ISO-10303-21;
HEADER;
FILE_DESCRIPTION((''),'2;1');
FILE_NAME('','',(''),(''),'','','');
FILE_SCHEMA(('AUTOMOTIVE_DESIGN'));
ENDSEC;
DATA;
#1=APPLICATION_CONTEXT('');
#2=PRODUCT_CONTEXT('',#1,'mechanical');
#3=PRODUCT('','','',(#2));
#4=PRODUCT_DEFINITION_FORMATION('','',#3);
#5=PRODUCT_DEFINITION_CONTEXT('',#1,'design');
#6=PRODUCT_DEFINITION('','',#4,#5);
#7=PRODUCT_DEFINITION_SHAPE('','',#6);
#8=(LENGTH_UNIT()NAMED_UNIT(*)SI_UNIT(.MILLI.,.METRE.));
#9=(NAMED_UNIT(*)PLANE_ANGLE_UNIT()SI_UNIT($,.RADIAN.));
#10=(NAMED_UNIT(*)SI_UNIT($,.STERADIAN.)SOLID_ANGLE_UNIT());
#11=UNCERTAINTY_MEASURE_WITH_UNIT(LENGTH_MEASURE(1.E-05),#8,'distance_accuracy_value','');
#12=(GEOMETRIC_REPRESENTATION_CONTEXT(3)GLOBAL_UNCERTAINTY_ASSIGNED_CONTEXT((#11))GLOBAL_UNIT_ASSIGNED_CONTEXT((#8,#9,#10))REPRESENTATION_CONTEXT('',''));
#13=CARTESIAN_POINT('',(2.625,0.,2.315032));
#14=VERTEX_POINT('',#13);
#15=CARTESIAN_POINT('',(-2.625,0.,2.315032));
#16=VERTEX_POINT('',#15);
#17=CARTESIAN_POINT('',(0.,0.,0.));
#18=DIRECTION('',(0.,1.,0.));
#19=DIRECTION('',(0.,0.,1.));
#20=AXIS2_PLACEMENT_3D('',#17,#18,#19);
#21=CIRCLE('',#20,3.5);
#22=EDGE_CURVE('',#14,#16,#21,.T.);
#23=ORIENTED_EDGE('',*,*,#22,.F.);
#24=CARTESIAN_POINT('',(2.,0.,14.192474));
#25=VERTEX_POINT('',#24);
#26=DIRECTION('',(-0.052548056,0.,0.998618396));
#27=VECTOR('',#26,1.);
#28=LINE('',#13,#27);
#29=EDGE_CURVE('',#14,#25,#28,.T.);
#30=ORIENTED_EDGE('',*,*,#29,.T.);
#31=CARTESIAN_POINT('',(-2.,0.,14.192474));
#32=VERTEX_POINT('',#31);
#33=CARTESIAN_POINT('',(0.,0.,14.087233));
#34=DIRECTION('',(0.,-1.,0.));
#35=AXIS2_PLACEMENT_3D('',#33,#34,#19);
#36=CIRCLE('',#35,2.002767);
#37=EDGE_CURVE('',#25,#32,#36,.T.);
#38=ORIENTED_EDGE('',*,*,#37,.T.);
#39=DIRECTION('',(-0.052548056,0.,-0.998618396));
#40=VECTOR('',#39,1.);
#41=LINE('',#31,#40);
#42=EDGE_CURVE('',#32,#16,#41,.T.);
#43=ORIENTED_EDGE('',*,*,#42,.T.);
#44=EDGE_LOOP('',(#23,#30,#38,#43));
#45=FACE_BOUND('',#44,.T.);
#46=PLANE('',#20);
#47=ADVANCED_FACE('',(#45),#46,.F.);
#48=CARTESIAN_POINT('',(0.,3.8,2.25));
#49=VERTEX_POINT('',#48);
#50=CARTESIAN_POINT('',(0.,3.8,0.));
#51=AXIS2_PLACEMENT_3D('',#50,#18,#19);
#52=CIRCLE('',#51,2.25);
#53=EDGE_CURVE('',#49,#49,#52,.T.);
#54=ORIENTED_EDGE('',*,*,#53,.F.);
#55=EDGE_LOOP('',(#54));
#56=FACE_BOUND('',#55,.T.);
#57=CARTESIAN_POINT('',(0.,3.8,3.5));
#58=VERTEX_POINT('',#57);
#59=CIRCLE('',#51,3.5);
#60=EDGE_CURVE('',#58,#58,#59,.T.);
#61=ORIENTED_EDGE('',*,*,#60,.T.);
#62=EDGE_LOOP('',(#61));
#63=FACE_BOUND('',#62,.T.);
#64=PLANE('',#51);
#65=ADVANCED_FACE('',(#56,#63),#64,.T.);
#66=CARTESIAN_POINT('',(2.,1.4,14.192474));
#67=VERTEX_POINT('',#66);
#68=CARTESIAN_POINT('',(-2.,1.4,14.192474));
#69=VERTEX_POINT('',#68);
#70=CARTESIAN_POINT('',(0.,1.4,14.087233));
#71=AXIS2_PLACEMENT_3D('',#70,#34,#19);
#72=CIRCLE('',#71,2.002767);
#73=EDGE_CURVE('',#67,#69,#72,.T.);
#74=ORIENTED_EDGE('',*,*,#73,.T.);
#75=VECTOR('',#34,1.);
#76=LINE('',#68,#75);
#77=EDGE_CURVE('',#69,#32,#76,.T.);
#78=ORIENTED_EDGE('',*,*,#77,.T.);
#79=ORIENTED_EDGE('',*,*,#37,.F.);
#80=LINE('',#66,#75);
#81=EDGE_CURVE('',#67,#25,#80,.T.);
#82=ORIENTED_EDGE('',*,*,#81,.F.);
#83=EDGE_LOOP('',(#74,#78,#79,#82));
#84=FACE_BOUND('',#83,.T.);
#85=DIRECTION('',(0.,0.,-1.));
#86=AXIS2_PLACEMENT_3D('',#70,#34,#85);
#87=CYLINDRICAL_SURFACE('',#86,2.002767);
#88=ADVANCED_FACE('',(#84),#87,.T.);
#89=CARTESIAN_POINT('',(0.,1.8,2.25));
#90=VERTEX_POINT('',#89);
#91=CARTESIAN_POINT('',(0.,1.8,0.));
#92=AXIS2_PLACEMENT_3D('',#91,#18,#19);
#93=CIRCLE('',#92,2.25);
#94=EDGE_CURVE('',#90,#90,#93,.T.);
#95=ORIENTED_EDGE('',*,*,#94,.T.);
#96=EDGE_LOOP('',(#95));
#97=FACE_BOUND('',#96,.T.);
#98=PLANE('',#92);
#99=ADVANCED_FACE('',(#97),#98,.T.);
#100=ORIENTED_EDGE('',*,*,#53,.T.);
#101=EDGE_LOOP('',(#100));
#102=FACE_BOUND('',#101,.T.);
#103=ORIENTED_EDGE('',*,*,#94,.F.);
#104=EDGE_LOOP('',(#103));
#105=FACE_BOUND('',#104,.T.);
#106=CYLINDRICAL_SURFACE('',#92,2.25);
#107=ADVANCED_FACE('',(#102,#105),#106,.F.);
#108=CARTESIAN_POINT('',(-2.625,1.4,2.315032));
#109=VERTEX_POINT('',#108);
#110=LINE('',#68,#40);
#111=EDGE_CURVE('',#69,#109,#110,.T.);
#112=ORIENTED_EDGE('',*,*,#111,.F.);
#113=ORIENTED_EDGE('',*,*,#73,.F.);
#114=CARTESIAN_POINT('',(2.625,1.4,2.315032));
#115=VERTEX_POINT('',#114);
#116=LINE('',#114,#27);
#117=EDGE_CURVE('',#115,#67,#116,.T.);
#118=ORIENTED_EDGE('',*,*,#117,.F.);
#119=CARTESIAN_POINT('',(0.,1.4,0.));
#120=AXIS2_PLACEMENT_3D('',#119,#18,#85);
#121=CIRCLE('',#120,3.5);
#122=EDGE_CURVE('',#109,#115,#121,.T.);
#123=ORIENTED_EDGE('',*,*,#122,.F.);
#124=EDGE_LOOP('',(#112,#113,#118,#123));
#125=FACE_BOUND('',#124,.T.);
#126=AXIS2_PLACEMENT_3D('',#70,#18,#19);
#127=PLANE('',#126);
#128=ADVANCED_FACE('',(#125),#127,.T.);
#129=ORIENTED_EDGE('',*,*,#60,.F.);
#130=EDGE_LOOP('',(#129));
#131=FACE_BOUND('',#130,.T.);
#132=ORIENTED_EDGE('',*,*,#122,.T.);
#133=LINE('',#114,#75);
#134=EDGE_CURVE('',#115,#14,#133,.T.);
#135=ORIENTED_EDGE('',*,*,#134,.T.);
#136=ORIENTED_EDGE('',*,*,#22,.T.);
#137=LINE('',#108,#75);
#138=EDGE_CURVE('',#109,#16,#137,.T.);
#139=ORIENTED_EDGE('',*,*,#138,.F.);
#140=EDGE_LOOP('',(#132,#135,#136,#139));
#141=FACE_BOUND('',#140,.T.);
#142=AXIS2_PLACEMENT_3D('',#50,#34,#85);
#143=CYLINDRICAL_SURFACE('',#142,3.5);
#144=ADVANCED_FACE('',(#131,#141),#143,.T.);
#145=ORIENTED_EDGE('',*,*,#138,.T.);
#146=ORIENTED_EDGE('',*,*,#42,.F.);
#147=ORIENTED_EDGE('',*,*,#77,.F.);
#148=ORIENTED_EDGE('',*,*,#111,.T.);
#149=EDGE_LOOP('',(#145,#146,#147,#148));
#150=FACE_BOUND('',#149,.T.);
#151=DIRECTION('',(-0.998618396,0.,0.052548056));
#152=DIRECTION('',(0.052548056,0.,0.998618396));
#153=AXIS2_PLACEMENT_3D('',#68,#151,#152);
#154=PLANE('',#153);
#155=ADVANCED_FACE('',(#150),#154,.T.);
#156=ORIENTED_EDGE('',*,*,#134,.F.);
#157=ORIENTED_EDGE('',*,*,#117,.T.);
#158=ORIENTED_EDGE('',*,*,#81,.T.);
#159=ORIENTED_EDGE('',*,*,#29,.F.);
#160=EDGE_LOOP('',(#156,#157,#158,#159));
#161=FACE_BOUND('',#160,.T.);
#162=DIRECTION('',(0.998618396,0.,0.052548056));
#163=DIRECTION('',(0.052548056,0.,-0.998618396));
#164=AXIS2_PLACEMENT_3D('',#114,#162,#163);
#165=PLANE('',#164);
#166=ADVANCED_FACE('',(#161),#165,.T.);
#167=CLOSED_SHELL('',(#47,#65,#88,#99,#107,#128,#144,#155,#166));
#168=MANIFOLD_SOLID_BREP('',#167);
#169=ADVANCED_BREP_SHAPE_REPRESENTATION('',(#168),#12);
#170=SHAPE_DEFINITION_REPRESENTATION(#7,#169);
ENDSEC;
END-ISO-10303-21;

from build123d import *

# Parameters (mm, degrees)
SKETCH1_R           = 3.5
BOSS_EXTRUDE1_DEPTH = 3.8
BOSS_EXTRUDE2_DEPTH = 1.4
SKETCH3_R           = 2.25
CUT_EXTRUDE1_DEPTH  = 2


with BuildPart() as part:
    # Sketch1 → Boss-Extrude1 (new body)
    with BuildSketch(Plane(origin=(0, 0, 0), x_dir=(1, 0, 0), z_dir=(0, 1, 0))):
        with Locations(Location((0, 0, 0), (0, 0, 90))):
            Circle(SKETCH1_R)
    extrude(amount=BOSS_EXTRUDE1_DEPTH)

    # Sketch2 → Boss-Extrude2 (add)
    with BuildSketch(Plane.XZ):
        with BuildLine():
            Line((-2, 14.192474485), (-2.625, 2.315032397))
            ThreePointArc((-2.625, 2.315032397), (0, 3.5), (2.625, 2.315032397))
            Line((2.625, 2.315032397), (2, 14.192474485))
            ThreePointArc((2, 14.192474485), (0, 16.09), (-2, 14.192474485))
        make_face()
    extrude(amount=-BOSS_EXTRUDE2_DEPTH)

    # Sketch3 → Cut-Extrude1 (cut)
    with BuildSketch(Plane(origin=(0, 3.8, 0), x_dir=(1, 0, 0), z_dir=(0, 1, 0))):
        with Locations(Location((0, 0, 0), (0, 0, 270))):
            Circle(SKETCH3_R)
    extrude(amount=-CUT_EXTRUDE1_DEPTH, mode=Mode.SUBTRACT)


solid = part.part
